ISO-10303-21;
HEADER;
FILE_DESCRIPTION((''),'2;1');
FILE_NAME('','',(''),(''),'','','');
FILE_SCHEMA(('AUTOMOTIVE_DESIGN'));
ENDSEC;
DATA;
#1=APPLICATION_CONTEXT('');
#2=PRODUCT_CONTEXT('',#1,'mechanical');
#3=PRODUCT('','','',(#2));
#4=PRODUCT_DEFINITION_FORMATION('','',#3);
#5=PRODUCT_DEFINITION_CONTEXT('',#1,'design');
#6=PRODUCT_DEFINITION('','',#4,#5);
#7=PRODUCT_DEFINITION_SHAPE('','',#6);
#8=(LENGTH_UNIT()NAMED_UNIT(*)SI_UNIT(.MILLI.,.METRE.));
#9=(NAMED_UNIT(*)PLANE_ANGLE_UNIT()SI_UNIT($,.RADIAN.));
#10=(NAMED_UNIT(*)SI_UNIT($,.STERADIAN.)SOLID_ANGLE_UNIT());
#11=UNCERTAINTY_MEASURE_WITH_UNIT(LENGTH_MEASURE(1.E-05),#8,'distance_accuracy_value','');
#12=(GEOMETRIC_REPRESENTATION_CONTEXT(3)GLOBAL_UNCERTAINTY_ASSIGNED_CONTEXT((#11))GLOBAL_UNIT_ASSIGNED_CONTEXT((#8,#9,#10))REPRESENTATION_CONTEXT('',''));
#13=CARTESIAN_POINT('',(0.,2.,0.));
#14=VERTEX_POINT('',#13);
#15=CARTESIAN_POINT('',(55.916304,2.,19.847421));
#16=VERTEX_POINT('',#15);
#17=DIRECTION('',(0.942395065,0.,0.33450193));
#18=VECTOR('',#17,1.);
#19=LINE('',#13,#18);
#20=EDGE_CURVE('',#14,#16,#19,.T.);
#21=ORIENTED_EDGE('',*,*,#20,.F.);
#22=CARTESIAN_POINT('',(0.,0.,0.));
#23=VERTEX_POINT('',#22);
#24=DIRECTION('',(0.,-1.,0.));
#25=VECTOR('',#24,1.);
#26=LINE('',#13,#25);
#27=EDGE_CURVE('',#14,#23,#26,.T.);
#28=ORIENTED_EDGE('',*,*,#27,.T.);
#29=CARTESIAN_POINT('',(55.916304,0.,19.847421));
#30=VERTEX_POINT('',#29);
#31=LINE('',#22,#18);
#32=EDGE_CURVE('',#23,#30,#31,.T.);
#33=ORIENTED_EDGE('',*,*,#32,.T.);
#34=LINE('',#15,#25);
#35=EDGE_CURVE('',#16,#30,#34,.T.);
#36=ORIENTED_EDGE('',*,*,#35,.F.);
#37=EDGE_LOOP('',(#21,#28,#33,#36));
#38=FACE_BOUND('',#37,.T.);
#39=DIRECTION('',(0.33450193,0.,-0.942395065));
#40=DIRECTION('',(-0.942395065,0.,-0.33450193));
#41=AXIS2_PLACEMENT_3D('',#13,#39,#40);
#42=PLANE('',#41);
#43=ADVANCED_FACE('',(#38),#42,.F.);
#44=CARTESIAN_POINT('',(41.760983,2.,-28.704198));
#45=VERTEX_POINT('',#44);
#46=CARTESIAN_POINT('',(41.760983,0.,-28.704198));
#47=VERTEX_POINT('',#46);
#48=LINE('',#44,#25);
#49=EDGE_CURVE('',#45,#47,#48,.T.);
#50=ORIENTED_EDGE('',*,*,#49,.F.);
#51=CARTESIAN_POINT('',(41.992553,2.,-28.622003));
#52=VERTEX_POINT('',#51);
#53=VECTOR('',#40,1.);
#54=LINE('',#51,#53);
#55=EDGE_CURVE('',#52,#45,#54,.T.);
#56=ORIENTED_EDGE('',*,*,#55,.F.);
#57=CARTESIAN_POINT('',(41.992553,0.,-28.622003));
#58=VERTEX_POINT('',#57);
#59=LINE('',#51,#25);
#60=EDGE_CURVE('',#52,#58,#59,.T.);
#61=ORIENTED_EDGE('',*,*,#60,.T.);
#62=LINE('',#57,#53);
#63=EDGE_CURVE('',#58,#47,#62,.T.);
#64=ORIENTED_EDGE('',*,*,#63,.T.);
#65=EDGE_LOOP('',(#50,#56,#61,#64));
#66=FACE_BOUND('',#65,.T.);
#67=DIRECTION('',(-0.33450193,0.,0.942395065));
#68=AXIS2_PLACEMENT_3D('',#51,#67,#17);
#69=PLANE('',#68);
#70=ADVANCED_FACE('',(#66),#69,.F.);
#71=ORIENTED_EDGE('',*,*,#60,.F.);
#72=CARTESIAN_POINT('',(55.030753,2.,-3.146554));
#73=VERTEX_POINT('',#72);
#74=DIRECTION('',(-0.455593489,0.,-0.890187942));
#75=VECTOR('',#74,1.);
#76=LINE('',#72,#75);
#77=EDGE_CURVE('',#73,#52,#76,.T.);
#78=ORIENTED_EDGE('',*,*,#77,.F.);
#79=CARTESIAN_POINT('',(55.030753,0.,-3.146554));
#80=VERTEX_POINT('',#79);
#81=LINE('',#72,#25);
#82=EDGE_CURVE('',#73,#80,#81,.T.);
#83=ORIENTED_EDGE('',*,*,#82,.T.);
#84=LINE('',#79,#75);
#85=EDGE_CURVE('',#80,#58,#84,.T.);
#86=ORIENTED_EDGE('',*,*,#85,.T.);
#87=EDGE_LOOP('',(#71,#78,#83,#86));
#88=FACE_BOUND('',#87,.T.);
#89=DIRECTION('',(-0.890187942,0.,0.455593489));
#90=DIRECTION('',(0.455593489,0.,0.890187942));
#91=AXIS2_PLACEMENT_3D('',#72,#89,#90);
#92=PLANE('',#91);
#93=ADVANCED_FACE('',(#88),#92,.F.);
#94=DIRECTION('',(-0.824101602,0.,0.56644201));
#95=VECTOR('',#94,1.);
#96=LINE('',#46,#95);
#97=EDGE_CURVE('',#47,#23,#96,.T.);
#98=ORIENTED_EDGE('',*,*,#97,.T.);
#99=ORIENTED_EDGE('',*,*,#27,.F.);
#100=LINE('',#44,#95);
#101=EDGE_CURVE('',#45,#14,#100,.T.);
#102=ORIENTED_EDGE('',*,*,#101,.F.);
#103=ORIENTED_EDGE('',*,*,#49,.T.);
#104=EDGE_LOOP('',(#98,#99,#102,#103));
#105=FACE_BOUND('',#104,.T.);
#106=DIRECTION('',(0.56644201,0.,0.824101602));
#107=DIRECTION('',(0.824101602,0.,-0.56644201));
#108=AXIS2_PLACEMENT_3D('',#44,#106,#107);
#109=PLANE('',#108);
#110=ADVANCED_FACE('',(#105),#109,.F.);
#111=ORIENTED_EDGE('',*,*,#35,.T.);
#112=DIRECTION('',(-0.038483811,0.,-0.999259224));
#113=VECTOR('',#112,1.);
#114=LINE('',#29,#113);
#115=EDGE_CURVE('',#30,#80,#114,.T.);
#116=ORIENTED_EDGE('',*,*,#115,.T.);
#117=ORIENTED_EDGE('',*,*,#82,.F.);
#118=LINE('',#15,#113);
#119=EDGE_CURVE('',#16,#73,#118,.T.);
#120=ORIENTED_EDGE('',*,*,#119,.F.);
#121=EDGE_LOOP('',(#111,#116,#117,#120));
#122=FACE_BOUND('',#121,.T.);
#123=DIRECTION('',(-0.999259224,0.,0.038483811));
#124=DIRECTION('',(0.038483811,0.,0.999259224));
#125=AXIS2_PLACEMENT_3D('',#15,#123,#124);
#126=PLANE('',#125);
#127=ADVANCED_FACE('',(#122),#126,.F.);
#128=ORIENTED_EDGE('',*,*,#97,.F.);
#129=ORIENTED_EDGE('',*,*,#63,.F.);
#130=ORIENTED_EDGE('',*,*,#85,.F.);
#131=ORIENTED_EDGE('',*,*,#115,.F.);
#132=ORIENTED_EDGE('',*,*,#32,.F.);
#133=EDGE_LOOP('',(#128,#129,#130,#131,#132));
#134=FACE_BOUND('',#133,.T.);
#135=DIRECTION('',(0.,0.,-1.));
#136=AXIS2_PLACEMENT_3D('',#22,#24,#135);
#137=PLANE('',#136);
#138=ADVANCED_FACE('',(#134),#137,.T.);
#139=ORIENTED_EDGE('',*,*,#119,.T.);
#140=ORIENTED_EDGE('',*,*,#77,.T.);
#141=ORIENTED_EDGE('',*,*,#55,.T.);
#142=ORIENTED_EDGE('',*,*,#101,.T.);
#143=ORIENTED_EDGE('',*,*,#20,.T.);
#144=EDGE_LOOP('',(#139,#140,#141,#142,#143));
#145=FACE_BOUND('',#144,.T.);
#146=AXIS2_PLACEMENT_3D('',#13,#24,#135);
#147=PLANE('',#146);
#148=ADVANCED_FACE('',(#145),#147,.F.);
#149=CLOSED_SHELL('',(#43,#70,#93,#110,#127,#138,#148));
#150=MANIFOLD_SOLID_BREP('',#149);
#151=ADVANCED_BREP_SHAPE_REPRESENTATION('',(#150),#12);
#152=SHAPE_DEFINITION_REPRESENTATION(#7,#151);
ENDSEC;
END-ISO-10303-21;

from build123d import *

# Parameters (mm, degrees)
BOSS_EXTRU_1_DEPTH = 2


with BuildPart() as part:
    # Esquisse1 → Boss.-Extru.1 (new body)
    with BuildSketch(Plane(origin=(0, 0, 0), x_dir=(1, 0, 0), z_dir=(0, 1, 0))):
        Polygon((41.760983354, 28.704197748), (0, 0), (55.916304476, -19.84742116), (55.030752678, 3.146553991), (41.99255262, 28.622002531), align=None)
    extrude(amount=BOSS_EXTRU_1_DEPTH)


solid = part.part
